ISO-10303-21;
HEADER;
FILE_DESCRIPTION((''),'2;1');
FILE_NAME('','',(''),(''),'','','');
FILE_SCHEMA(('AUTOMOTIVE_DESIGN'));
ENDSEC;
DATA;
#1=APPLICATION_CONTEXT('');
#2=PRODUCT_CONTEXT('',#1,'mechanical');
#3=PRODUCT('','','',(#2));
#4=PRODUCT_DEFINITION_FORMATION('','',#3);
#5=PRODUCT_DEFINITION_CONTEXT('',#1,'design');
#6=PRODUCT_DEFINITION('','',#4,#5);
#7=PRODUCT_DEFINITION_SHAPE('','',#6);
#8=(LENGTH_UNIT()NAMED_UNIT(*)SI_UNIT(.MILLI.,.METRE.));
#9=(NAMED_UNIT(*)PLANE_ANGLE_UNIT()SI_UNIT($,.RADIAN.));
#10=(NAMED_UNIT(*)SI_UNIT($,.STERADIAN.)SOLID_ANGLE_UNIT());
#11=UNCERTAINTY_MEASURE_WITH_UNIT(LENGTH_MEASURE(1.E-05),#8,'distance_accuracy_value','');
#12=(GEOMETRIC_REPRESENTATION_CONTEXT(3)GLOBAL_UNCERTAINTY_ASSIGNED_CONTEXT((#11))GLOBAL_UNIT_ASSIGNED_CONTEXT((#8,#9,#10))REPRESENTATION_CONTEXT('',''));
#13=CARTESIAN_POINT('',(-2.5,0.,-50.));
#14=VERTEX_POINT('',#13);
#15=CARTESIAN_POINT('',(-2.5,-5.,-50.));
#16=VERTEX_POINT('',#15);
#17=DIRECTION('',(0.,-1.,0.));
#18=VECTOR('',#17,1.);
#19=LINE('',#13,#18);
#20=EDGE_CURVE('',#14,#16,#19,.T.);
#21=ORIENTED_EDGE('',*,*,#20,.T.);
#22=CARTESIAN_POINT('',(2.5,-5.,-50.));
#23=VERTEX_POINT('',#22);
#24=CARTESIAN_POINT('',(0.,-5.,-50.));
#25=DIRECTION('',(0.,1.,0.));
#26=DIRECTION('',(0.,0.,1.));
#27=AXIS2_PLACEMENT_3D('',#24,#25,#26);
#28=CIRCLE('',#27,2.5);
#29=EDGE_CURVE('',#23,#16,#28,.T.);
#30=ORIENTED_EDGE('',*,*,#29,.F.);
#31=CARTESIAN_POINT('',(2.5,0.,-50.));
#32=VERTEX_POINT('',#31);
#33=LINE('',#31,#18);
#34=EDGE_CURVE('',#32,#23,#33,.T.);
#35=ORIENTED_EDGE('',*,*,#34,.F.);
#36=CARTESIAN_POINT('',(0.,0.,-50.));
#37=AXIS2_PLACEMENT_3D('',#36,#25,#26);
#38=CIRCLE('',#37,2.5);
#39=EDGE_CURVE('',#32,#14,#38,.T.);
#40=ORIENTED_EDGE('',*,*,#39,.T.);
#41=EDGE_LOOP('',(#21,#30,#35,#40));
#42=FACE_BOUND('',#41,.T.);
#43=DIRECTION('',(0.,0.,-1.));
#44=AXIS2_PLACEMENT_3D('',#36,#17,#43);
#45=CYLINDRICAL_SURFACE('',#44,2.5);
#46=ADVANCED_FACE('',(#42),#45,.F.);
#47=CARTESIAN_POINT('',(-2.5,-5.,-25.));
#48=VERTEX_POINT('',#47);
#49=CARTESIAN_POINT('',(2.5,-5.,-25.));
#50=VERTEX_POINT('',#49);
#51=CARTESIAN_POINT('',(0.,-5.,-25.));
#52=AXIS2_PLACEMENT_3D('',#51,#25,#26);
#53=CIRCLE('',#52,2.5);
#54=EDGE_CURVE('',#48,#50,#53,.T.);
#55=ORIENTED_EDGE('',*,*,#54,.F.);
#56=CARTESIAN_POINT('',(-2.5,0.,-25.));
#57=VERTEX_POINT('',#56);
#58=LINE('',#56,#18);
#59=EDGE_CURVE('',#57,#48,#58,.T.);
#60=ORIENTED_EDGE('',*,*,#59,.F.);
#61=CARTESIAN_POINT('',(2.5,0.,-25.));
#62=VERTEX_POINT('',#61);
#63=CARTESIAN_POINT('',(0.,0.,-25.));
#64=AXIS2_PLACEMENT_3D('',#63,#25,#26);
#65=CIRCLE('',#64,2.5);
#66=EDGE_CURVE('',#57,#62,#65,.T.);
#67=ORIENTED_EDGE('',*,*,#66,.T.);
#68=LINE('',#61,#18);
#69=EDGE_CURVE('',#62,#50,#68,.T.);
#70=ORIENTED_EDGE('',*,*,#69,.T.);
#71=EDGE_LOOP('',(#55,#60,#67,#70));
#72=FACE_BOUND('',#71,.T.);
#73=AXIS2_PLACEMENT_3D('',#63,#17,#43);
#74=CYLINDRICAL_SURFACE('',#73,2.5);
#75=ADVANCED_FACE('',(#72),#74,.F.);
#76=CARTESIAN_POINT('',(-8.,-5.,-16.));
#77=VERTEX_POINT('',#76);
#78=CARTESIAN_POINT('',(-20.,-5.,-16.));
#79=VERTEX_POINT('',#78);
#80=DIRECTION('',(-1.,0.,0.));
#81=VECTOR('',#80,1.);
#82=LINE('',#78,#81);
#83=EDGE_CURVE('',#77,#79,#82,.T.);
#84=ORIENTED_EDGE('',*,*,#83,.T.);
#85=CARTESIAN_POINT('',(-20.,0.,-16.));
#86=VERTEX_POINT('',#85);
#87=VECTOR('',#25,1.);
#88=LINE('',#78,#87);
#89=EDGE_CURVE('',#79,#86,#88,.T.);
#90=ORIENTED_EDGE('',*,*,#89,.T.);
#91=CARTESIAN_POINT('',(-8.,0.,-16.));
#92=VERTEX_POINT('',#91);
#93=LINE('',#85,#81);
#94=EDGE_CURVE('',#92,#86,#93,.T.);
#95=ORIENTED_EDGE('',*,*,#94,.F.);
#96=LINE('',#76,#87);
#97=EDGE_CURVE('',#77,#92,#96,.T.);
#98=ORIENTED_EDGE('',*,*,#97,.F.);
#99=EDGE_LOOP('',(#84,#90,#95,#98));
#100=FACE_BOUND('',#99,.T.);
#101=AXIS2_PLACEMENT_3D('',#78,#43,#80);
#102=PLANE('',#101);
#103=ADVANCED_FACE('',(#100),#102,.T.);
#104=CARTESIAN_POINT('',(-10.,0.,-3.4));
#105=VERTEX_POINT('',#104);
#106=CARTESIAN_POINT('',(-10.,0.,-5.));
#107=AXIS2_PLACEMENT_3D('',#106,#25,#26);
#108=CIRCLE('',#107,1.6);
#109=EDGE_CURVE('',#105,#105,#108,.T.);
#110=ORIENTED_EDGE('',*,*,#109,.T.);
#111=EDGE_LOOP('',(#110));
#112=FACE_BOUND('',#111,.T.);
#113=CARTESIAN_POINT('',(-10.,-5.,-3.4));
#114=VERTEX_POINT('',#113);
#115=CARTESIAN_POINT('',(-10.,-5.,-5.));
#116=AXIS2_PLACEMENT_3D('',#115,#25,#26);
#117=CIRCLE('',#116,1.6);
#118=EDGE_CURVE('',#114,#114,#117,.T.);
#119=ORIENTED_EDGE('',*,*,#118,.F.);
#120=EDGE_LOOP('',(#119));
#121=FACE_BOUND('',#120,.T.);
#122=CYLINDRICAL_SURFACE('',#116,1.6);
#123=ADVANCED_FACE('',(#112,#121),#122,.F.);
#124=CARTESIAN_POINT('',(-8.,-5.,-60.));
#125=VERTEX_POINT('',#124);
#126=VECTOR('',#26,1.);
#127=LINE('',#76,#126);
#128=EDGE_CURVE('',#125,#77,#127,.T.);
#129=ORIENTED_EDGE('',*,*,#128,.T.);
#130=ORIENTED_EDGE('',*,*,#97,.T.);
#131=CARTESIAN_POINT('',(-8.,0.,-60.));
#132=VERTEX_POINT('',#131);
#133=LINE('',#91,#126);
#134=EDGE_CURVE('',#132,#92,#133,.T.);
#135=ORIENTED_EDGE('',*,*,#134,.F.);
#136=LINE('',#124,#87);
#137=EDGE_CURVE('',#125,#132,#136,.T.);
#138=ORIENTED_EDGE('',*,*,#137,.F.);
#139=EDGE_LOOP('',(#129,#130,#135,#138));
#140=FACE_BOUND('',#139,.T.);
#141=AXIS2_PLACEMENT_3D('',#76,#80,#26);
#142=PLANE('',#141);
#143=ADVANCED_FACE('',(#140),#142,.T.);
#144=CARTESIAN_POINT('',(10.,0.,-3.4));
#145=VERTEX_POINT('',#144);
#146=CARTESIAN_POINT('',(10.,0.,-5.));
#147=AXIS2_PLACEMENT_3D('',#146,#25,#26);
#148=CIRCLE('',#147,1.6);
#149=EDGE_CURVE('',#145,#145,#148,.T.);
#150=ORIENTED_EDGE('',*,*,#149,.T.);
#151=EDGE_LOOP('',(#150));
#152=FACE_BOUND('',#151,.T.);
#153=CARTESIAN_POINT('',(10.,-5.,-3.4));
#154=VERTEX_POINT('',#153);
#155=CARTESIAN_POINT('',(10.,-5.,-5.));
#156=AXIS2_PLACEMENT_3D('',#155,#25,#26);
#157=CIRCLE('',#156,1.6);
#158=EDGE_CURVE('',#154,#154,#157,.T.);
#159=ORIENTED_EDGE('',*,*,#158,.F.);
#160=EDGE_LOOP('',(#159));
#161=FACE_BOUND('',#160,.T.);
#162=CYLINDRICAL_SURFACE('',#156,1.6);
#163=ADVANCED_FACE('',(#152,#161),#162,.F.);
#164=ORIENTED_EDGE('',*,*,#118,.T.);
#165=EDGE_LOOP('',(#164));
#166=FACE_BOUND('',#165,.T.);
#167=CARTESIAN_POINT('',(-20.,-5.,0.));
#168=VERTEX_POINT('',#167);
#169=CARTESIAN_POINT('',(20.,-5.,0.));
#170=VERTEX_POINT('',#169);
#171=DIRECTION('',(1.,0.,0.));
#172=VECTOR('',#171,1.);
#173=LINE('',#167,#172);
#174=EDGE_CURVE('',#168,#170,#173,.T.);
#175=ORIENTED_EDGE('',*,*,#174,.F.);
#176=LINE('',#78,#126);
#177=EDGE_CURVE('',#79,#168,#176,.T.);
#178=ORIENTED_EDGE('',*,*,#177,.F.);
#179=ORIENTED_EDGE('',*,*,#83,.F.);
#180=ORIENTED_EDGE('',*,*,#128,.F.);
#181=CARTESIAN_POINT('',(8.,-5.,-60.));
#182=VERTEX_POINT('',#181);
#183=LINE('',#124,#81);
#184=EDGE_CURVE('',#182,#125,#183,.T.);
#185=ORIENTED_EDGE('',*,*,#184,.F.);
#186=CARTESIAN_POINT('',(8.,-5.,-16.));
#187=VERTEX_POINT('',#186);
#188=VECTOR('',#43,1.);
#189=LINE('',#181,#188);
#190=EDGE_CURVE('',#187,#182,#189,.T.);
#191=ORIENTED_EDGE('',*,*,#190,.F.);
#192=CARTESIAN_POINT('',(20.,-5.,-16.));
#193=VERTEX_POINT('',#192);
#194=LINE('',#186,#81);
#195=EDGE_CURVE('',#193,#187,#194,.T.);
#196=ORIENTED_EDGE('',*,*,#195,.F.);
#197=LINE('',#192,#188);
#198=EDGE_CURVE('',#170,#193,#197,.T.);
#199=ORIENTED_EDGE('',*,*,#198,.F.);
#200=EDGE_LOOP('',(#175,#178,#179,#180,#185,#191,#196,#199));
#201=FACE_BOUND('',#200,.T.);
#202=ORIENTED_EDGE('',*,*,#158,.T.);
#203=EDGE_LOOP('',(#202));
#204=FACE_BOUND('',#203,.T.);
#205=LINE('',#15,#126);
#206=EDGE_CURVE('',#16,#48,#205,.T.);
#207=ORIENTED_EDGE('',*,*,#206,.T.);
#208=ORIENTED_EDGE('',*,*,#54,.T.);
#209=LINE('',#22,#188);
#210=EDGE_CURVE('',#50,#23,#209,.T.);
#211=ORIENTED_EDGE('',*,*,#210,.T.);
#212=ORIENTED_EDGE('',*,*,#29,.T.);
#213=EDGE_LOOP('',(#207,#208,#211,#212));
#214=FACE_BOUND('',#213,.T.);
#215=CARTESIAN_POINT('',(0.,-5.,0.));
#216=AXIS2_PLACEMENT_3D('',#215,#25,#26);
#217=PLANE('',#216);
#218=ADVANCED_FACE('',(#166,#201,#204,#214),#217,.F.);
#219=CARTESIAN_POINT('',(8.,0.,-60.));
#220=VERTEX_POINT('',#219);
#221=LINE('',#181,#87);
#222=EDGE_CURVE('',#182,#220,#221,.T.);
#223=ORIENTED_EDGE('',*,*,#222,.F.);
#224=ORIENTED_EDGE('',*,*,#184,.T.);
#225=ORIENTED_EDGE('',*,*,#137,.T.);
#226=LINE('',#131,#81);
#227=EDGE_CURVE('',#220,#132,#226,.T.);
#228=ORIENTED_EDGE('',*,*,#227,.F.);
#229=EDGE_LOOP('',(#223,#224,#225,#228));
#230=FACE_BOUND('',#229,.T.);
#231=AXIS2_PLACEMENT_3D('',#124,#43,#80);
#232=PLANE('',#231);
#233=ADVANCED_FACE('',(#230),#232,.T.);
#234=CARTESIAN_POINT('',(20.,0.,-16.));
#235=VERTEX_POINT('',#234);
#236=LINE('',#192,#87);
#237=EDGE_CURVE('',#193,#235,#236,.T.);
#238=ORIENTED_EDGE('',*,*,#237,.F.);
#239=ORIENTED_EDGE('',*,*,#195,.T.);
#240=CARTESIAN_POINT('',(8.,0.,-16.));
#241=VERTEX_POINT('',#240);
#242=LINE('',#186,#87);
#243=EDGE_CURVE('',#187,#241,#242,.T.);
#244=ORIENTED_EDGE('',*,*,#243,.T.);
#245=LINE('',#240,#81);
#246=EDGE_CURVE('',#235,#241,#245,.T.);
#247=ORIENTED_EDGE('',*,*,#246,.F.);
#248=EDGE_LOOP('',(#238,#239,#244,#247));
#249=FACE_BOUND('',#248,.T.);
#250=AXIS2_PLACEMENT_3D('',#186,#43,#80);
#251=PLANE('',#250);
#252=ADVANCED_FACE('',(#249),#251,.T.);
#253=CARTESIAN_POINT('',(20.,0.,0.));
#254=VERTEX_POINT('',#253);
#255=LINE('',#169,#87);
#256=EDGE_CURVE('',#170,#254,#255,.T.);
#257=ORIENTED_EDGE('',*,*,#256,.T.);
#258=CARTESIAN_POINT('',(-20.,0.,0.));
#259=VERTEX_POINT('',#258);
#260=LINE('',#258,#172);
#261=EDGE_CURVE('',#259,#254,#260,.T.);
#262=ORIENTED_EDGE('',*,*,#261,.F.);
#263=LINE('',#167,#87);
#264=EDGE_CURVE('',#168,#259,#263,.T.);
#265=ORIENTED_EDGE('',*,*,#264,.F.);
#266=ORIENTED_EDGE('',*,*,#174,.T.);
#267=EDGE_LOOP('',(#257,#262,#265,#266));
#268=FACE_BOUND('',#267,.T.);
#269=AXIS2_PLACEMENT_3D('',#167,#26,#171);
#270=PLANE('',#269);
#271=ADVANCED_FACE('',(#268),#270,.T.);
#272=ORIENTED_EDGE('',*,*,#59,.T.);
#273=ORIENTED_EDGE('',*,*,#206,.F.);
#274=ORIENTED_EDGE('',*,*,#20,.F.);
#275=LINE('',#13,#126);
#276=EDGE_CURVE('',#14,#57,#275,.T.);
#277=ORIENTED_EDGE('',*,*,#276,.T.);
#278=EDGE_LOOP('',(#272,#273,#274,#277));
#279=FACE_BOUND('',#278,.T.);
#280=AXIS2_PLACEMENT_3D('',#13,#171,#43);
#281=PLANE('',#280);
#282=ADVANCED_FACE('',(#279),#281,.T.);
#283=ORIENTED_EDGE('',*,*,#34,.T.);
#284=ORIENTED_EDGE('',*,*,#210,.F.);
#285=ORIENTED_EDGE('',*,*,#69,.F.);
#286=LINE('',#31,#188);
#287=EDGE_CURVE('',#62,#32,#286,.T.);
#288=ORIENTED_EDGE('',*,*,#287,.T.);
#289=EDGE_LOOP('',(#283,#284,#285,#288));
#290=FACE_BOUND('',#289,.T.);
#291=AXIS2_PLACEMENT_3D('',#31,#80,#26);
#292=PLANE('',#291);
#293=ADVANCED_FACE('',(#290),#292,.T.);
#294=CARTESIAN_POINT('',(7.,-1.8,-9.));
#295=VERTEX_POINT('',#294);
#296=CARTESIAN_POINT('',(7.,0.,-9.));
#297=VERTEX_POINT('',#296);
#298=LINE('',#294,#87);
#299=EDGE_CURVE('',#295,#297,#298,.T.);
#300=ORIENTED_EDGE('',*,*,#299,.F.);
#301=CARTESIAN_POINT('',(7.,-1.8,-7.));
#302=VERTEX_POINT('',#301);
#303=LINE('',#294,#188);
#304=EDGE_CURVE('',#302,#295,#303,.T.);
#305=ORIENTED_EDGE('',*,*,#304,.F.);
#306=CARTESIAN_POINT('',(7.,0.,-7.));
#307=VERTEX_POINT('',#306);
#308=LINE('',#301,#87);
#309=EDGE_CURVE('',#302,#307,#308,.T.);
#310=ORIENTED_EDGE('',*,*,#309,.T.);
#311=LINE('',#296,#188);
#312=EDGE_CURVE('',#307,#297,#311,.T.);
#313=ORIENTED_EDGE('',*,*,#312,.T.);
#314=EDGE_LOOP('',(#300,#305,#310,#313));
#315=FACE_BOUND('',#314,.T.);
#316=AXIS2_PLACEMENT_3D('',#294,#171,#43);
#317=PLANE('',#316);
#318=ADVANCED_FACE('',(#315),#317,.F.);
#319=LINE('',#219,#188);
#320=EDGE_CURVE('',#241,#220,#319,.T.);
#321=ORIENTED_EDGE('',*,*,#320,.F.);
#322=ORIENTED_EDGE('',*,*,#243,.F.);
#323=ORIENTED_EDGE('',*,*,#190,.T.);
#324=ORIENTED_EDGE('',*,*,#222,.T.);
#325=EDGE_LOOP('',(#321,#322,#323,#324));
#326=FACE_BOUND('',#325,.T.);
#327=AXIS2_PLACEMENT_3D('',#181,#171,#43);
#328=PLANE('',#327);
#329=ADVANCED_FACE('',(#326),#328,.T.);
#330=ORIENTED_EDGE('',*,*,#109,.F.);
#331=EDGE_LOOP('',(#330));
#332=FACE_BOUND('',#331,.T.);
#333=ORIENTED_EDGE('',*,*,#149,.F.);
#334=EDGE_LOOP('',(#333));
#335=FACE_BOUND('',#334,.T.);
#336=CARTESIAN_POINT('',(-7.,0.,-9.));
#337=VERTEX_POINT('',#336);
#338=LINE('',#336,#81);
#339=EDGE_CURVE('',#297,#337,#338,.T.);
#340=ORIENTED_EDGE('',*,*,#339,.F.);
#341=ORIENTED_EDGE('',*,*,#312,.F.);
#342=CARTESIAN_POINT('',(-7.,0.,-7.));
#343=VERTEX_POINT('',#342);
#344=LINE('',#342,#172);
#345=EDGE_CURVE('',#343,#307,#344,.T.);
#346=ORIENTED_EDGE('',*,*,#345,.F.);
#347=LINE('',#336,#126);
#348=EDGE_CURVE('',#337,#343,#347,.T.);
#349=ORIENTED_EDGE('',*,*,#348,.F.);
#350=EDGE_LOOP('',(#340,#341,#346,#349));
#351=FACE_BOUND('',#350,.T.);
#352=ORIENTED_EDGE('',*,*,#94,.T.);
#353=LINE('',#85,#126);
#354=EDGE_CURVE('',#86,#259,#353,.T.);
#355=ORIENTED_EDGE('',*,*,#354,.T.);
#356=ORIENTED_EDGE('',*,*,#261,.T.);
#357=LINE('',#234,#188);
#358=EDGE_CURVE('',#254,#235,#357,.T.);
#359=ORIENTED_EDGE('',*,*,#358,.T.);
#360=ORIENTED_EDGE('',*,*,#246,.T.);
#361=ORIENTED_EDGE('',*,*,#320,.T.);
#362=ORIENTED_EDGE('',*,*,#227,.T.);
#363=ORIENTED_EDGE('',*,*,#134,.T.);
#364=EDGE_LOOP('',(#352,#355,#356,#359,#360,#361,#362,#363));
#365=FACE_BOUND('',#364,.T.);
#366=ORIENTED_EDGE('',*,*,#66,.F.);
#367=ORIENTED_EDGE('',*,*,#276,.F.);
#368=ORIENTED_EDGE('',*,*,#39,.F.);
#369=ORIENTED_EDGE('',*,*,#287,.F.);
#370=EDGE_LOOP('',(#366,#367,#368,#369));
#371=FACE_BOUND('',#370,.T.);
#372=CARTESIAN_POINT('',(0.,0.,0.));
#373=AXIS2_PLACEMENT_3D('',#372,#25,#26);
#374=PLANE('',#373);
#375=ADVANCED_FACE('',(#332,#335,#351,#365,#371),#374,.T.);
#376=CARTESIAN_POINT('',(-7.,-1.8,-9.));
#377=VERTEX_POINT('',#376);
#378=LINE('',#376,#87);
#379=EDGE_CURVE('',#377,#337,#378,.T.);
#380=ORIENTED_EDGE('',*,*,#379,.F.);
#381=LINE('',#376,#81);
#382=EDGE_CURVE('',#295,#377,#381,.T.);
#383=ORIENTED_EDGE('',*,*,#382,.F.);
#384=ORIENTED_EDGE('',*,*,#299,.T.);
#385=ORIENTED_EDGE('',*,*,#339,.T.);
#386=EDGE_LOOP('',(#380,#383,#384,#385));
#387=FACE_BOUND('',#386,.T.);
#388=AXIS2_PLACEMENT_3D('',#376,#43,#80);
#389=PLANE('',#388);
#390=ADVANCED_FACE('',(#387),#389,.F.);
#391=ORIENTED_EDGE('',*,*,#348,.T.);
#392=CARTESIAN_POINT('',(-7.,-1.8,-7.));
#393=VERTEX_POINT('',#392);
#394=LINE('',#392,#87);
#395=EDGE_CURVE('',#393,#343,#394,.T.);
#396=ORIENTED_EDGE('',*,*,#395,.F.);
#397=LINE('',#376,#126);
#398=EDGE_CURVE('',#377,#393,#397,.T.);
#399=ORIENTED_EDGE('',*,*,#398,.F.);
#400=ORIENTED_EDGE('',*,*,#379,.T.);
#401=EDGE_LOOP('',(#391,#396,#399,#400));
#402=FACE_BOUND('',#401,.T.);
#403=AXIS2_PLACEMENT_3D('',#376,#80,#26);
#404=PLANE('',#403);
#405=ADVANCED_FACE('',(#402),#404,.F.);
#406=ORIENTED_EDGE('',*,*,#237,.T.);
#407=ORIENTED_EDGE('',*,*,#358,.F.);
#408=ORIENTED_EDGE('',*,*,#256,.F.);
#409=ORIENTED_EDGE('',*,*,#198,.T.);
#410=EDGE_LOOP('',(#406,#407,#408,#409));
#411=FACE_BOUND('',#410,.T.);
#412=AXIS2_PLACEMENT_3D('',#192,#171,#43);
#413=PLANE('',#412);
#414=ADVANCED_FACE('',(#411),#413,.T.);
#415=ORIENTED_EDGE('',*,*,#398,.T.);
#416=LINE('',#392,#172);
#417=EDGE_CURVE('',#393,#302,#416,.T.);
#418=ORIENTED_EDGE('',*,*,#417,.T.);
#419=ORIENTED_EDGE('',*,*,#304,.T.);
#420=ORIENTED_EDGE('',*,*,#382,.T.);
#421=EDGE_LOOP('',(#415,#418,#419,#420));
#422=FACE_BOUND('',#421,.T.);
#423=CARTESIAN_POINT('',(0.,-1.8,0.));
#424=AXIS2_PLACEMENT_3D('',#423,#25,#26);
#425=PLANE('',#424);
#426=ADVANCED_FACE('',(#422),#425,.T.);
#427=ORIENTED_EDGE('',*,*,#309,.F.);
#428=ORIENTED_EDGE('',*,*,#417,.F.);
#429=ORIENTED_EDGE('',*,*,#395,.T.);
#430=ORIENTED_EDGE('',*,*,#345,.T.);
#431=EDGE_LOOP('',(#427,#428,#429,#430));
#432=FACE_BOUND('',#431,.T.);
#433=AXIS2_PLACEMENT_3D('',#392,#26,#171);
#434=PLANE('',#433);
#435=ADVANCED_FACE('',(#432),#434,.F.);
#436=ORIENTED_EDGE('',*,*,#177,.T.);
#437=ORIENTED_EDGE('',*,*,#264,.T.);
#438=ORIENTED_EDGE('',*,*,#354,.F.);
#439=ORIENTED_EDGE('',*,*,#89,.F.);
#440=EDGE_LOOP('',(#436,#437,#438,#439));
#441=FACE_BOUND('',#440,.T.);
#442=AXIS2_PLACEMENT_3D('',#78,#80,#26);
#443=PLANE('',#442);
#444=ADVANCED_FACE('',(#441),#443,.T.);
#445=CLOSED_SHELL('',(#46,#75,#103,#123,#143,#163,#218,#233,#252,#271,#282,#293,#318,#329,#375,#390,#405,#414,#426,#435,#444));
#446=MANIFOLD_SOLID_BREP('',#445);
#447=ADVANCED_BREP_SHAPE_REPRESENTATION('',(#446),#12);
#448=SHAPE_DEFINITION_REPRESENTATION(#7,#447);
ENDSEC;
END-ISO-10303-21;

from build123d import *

# Parameters (mm, degrees)
SKETCH_2_R          = 1.6
EXTRUDE_2_DEPTH     = 5
CUT_EXTRUDE_1_DEPTH = 56.009090158
SKETCH_6_W          = 14
SKETCH_6_H          = 2
CUT_EXTRUDE_2_DEPTH = 1.8


with BuildPart() as part:
    # 草图2 → 凸台-拉伸2 (new body)
    with BuildSketch(Plane(origin=(0, 0, 0), x_dir=(1, 0, 0), z_dir=(0, 1, 0))):
        Polygon((-20, 16), (-8, 16), (-8, 60), (8, 60), (8, 16), (20, 16), (20, 0), (-20, 0), align=None)
        with Locations(Location((-10, 5, 0), (0, 0, 270))):
            Circle(SKETCH_2_R, mode=Mode.SUBTRACT)
        with Locations(Location((10, 5, 0), (0, 0, 270))):
            Circle(SKETCH_2_R, mode=Mode.SUBTRACT)
    extrude(amount=-EXTRUDE_2_DEPTH)

    # 草图5 → 切除-拉伸1 (cut, through all)
    with BuildSketch(Plane(origin=(0, -5, -9), x_dir=(1, 0, 0), z_dir=(0, 1, 0))):
        with BuildLine():
            Line((2.5, 41), (2.5, 16))
            ThreePointArc((2.5, 16), (0, 13.5), (-2.5, 16))
            Line((-2.5, 16), (-2.5, 41))
            ThreePointArc((-2.5, 41), (0, 43.5), (2.5, 41))
        make_face()
    extrude(amount=CUT_EXTRUDE_1_DEPTH, mode=Mode.SUBTRACT)

    # 草图6 → 切除-拉伸2 (cut)
    with BuildSketch(Plane(origin=(0, 0, 0), x_dir=(1, 0, 0), z_dir=(0, 1, 0))):
        with Locations((0, 8)):
            Rectangle(SKETCH_6_W, SKETCH_6_H)
    extrude(amount=-CUT_EXTRUDE_2_DEPTH, mode=Mode.SUBTRACT)


solid = part.part
